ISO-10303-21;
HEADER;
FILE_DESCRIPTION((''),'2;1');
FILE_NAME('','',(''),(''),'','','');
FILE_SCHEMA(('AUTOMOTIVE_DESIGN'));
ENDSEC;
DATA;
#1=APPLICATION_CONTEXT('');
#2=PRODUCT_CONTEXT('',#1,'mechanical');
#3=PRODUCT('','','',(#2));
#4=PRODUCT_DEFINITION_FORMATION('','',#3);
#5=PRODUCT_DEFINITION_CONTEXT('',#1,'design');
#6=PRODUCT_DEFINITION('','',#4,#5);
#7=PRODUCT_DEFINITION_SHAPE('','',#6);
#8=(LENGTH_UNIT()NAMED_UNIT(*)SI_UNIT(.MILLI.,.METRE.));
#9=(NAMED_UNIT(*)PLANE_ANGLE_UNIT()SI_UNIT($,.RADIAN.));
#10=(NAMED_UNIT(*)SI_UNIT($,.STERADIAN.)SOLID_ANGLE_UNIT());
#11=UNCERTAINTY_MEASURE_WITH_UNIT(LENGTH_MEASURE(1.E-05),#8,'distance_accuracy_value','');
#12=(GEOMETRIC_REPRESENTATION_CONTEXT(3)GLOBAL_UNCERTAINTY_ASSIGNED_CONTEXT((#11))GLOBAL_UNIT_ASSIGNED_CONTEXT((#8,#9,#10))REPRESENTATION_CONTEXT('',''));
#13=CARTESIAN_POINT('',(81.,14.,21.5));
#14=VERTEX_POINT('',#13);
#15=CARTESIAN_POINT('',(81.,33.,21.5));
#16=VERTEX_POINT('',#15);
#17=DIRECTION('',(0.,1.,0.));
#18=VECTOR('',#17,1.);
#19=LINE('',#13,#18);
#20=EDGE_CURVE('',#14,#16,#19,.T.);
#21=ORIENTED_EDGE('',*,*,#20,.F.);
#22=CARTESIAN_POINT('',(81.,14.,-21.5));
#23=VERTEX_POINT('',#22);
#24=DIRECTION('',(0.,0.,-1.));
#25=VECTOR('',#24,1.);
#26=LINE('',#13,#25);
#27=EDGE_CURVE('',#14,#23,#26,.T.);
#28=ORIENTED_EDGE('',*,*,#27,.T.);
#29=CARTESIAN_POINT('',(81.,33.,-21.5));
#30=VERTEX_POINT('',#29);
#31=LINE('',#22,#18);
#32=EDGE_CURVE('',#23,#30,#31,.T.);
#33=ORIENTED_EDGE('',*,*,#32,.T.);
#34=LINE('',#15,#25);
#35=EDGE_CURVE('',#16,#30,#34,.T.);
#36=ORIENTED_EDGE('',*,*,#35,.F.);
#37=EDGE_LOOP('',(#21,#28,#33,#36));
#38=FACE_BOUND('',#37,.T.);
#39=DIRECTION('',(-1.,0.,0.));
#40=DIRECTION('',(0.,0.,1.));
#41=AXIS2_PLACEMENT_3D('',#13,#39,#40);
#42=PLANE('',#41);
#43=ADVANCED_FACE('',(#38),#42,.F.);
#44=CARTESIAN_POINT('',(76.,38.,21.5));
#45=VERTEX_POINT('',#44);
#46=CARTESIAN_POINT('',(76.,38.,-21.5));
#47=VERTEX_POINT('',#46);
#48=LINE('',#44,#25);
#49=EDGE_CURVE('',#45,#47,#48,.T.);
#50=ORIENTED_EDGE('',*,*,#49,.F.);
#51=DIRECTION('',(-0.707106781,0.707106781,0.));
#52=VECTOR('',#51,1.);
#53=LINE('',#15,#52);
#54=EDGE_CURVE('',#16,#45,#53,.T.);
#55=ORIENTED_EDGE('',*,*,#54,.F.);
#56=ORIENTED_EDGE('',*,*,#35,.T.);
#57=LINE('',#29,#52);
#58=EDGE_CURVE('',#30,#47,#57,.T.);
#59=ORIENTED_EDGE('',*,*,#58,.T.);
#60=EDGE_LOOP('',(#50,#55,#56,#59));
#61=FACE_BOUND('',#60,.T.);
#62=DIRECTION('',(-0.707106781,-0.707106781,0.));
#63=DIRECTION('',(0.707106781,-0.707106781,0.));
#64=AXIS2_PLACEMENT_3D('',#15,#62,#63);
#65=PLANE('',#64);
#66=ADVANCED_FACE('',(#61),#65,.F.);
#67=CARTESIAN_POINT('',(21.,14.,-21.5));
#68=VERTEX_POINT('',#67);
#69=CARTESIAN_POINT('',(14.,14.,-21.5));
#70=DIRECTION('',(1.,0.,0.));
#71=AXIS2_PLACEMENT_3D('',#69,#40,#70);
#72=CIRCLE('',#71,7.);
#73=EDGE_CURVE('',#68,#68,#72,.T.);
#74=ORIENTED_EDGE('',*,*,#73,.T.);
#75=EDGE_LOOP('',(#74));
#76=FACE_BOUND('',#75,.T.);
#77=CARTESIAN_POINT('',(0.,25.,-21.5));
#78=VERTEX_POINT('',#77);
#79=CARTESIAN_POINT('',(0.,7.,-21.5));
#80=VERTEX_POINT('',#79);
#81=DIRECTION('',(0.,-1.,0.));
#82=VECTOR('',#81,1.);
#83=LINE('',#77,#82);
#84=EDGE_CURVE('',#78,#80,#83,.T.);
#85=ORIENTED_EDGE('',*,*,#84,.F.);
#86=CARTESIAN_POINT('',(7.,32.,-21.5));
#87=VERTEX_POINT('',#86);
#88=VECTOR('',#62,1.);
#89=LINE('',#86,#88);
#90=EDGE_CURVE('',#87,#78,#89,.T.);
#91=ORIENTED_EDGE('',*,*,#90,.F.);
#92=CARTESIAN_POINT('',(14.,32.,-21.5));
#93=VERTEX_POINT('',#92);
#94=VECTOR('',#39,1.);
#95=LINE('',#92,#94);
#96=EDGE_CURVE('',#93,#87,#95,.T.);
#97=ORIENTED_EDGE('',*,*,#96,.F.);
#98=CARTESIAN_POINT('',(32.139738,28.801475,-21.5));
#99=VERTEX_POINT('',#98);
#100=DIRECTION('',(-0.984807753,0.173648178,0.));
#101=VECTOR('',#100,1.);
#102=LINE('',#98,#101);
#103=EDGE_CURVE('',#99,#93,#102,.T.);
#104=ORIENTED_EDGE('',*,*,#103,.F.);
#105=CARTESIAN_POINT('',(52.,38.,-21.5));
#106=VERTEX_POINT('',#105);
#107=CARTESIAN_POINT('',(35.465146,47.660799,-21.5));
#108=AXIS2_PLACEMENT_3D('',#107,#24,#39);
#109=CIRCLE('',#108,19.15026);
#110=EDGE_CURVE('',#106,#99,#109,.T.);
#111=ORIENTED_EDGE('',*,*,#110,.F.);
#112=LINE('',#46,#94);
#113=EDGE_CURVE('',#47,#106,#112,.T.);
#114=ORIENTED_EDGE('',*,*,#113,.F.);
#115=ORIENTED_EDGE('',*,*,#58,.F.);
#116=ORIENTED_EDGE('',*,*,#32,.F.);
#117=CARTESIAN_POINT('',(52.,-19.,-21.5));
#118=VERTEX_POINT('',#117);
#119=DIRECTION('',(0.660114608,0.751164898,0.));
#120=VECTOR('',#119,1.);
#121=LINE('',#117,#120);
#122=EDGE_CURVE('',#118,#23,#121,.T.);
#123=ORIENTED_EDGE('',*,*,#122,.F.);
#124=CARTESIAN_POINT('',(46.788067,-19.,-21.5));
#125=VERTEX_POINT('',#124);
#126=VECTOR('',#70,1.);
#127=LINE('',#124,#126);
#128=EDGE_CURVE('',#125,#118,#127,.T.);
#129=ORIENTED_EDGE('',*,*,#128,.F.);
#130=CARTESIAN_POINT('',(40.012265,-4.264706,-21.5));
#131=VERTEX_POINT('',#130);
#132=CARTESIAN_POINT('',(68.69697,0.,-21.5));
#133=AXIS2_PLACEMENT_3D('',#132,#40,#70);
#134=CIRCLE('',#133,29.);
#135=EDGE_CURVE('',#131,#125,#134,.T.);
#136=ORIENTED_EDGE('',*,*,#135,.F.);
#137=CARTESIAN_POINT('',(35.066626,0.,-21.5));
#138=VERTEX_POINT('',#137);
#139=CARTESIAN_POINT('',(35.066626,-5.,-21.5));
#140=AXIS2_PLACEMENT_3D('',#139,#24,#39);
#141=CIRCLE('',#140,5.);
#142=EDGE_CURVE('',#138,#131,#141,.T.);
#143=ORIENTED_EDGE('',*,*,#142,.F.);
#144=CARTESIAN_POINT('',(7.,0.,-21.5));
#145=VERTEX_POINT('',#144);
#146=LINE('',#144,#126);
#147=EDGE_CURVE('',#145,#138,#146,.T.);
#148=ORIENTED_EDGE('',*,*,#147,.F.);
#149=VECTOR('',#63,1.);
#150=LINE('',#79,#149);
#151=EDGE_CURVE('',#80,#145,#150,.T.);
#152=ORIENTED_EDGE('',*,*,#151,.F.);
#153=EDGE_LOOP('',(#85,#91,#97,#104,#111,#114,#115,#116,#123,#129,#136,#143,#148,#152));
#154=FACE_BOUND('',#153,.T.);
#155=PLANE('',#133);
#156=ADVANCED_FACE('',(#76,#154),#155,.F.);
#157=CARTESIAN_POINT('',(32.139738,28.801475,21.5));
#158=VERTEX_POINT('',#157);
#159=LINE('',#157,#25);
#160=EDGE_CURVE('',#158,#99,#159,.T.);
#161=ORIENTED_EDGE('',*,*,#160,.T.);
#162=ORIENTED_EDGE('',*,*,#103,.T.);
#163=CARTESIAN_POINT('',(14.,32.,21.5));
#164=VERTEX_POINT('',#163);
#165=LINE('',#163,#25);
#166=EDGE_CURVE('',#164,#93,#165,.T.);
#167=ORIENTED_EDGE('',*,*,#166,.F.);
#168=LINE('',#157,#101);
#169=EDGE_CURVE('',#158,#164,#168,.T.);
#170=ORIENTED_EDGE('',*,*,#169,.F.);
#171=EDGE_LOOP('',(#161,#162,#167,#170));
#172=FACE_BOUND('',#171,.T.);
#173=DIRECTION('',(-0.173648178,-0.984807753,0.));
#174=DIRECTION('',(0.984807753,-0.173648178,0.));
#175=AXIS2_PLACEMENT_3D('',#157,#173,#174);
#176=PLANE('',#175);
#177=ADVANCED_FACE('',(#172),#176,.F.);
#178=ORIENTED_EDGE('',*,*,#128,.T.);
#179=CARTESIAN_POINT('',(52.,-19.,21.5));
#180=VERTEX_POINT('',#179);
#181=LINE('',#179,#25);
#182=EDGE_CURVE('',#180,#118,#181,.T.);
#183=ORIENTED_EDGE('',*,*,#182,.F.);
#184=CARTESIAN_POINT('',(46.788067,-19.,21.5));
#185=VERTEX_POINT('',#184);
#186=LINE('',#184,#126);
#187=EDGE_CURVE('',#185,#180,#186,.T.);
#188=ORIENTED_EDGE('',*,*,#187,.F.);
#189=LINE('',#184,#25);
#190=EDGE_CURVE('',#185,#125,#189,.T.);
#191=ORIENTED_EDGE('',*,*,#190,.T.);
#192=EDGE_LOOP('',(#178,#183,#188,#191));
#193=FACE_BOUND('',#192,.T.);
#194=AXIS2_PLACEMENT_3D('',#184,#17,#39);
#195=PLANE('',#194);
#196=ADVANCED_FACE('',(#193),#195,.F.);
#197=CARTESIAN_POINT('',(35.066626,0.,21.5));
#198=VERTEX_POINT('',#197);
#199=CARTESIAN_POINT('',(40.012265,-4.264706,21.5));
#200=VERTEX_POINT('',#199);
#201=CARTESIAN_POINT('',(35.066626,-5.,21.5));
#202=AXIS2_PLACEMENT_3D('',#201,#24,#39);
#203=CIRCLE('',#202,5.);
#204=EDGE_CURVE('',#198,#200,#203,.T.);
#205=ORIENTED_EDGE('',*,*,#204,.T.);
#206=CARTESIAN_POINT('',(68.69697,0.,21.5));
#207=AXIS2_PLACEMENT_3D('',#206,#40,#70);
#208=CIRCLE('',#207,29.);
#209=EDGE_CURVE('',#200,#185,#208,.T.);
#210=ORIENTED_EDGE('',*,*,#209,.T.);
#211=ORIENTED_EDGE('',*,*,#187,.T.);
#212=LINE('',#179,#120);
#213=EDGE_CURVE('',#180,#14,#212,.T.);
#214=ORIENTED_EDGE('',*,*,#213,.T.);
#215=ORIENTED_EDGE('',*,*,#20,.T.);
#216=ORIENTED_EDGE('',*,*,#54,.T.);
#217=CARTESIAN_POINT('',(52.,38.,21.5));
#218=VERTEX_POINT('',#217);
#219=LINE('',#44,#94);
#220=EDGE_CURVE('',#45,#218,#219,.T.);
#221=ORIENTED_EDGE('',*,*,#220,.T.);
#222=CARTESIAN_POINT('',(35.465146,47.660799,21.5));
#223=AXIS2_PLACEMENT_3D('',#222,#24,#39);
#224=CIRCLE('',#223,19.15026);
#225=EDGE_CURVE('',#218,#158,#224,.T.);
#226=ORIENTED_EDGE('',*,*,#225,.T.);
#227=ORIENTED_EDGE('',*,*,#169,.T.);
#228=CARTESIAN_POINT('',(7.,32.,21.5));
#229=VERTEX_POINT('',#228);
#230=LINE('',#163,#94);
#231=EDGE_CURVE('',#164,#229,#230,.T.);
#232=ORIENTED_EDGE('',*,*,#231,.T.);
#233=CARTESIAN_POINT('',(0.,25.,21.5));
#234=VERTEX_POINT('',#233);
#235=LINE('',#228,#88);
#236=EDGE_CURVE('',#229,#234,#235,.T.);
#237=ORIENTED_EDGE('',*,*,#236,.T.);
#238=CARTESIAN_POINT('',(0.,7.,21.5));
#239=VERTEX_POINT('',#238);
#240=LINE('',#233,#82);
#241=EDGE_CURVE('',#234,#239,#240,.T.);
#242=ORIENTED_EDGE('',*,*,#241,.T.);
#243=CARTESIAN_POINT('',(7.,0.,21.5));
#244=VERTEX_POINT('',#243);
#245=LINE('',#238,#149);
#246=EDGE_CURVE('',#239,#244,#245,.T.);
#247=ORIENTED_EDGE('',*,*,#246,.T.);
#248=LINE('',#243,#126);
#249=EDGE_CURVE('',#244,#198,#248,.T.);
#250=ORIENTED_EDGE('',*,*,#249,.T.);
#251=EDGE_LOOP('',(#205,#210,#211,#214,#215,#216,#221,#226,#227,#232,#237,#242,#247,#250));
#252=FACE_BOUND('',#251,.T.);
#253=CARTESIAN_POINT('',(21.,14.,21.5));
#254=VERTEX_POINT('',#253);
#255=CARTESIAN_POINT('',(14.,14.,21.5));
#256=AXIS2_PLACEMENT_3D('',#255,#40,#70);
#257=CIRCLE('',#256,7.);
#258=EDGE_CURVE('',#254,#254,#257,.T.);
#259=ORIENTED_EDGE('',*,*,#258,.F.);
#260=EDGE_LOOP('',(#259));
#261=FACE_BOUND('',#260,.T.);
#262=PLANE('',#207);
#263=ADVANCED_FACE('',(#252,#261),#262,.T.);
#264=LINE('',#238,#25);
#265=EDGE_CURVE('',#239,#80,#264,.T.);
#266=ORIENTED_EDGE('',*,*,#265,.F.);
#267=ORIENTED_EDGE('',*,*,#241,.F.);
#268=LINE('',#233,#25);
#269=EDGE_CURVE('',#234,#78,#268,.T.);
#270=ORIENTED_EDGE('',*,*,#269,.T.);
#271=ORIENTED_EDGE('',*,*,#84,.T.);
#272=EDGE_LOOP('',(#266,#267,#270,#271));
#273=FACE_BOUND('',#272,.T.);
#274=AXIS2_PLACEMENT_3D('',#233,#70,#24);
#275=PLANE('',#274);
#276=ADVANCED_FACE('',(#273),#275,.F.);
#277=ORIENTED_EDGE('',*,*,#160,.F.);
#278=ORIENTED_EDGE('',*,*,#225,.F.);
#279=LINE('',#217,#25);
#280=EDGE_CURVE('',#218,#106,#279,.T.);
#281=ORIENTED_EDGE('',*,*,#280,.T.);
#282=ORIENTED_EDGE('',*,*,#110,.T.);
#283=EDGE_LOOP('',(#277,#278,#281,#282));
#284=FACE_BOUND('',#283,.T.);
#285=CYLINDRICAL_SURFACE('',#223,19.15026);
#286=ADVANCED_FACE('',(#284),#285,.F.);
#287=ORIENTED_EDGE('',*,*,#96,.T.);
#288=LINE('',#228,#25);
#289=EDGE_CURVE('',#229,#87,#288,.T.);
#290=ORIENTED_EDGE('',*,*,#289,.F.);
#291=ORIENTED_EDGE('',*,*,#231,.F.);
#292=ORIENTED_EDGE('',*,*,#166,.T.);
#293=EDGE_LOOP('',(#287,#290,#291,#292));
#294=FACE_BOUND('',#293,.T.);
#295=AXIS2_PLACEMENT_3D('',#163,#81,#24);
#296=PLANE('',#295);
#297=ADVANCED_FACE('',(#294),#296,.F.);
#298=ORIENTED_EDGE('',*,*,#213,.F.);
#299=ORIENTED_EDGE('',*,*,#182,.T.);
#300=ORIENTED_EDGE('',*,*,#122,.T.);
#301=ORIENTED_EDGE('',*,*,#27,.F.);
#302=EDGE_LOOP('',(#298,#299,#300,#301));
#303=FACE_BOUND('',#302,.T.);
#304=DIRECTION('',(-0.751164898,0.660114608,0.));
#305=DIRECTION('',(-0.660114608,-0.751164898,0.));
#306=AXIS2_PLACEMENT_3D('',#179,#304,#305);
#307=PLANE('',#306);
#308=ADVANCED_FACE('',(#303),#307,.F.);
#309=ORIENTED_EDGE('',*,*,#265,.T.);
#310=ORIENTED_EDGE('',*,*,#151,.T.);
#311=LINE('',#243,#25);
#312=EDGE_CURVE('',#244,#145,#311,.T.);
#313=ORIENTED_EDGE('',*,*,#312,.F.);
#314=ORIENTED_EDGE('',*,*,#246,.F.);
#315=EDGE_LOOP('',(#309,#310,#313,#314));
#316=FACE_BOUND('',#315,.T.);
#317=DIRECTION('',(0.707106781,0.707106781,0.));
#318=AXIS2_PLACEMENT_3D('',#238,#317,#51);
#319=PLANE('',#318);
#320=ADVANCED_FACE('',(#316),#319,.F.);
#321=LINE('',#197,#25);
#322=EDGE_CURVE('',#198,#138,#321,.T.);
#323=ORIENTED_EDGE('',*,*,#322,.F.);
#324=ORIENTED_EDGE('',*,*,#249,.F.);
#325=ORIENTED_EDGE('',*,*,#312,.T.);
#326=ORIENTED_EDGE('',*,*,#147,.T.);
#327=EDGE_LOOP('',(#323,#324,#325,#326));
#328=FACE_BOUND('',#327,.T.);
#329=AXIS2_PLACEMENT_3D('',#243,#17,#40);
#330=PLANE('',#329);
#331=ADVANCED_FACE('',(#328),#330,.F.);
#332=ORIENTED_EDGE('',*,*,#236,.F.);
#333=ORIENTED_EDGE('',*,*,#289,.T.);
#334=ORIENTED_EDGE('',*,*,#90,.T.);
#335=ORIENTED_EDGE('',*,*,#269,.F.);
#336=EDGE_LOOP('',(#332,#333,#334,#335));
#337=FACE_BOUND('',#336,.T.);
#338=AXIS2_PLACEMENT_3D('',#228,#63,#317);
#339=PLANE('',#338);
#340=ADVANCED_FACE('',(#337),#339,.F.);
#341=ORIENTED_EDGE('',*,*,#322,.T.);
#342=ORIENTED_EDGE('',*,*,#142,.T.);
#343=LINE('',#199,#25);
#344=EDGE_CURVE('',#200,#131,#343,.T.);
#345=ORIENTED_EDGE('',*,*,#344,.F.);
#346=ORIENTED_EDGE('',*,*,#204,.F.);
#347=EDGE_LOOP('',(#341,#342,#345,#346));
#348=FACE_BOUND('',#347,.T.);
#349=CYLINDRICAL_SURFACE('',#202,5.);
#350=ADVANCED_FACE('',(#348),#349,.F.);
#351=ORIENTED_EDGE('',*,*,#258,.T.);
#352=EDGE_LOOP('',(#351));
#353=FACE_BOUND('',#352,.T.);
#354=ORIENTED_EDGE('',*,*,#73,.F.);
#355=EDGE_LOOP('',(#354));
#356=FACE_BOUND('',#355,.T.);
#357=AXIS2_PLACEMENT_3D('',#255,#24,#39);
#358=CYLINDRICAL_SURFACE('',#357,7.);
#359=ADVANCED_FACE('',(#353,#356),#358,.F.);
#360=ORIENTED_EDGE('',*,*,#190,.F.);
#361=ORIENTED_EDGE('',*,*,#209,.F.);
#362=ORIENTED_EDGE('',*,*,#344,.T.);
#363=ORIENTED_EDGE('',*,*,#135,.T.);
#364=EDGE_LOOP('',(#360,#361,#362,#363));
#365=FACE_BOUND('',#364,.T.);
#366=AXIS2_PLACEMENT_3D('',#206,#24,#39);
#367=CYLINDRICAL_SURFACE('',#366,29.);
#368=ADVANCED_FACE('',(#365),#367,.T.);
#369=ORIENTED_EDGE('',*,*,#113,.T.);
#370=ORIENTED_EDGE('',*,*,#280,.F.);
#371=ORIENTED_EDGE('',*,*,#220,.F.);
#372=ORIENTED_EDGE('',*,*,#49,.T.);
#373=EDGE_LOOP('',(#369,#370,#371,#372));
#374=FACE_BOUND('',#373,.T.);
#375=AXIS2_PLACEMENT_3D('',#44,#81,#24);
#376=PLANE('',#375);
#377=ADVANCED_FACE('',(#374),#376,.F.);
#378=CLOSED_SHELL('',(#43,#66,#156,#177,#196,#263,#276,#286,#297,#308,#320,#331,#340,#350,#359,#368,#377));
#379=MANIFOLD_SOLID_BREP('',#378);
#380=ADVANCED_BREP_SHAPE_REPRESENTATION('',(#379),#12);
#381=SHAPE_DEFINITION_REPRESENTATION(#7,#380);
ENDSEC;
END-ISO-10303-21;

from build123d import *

# Parameters (mm, degrees)
ESQUISSE2_R        = 7
BOSS_EXTRU_2_DEPTH = 21.5


with BuildPart() as part:
    # Esquisse2 → Boss.-Extru.2 (new body, symmetric)
    with BuildSketch(Plane.XY):
        with BuildLine():
            Line((46.788067397, -19), (52, -19))
            Line((52, -19), (81, 14))
            Line((81, 14), (81, 33))
            Line((81, 33), (76, 38))
            Line((76, 38), (52, 38))
            ThreePointArc((52, 38), (43.513473837, 30.283893076), (32.139737934, 28.801474779))
            Line((32.139737934, 28.801474779), (14, 32))
            Line((14, 32), (7, 32))
            Line((7, 32), (0, 25))
            Line((0, 25), (0, 7))
            Line((0, 7), (7, 0))
            Line((7, 0), (35.066626255, 0))
            ThreePointArc((35.066626255, 0), (38.331862036, -1.213413768), (40.012264997, -4.264705882))
            ThreePointArc((40.012264997, -4.264705882), (42.3490952, -12.115672061), (46.788067397, -19))
        make_face()
        with Locations((14, 14)):
            Circle(ESQUISSE2_R, mode=Mode.SUBTRACT)
    extrude(amount=BOSS_EXTRU_2_DEPTH, both=True)


solid = part.part
